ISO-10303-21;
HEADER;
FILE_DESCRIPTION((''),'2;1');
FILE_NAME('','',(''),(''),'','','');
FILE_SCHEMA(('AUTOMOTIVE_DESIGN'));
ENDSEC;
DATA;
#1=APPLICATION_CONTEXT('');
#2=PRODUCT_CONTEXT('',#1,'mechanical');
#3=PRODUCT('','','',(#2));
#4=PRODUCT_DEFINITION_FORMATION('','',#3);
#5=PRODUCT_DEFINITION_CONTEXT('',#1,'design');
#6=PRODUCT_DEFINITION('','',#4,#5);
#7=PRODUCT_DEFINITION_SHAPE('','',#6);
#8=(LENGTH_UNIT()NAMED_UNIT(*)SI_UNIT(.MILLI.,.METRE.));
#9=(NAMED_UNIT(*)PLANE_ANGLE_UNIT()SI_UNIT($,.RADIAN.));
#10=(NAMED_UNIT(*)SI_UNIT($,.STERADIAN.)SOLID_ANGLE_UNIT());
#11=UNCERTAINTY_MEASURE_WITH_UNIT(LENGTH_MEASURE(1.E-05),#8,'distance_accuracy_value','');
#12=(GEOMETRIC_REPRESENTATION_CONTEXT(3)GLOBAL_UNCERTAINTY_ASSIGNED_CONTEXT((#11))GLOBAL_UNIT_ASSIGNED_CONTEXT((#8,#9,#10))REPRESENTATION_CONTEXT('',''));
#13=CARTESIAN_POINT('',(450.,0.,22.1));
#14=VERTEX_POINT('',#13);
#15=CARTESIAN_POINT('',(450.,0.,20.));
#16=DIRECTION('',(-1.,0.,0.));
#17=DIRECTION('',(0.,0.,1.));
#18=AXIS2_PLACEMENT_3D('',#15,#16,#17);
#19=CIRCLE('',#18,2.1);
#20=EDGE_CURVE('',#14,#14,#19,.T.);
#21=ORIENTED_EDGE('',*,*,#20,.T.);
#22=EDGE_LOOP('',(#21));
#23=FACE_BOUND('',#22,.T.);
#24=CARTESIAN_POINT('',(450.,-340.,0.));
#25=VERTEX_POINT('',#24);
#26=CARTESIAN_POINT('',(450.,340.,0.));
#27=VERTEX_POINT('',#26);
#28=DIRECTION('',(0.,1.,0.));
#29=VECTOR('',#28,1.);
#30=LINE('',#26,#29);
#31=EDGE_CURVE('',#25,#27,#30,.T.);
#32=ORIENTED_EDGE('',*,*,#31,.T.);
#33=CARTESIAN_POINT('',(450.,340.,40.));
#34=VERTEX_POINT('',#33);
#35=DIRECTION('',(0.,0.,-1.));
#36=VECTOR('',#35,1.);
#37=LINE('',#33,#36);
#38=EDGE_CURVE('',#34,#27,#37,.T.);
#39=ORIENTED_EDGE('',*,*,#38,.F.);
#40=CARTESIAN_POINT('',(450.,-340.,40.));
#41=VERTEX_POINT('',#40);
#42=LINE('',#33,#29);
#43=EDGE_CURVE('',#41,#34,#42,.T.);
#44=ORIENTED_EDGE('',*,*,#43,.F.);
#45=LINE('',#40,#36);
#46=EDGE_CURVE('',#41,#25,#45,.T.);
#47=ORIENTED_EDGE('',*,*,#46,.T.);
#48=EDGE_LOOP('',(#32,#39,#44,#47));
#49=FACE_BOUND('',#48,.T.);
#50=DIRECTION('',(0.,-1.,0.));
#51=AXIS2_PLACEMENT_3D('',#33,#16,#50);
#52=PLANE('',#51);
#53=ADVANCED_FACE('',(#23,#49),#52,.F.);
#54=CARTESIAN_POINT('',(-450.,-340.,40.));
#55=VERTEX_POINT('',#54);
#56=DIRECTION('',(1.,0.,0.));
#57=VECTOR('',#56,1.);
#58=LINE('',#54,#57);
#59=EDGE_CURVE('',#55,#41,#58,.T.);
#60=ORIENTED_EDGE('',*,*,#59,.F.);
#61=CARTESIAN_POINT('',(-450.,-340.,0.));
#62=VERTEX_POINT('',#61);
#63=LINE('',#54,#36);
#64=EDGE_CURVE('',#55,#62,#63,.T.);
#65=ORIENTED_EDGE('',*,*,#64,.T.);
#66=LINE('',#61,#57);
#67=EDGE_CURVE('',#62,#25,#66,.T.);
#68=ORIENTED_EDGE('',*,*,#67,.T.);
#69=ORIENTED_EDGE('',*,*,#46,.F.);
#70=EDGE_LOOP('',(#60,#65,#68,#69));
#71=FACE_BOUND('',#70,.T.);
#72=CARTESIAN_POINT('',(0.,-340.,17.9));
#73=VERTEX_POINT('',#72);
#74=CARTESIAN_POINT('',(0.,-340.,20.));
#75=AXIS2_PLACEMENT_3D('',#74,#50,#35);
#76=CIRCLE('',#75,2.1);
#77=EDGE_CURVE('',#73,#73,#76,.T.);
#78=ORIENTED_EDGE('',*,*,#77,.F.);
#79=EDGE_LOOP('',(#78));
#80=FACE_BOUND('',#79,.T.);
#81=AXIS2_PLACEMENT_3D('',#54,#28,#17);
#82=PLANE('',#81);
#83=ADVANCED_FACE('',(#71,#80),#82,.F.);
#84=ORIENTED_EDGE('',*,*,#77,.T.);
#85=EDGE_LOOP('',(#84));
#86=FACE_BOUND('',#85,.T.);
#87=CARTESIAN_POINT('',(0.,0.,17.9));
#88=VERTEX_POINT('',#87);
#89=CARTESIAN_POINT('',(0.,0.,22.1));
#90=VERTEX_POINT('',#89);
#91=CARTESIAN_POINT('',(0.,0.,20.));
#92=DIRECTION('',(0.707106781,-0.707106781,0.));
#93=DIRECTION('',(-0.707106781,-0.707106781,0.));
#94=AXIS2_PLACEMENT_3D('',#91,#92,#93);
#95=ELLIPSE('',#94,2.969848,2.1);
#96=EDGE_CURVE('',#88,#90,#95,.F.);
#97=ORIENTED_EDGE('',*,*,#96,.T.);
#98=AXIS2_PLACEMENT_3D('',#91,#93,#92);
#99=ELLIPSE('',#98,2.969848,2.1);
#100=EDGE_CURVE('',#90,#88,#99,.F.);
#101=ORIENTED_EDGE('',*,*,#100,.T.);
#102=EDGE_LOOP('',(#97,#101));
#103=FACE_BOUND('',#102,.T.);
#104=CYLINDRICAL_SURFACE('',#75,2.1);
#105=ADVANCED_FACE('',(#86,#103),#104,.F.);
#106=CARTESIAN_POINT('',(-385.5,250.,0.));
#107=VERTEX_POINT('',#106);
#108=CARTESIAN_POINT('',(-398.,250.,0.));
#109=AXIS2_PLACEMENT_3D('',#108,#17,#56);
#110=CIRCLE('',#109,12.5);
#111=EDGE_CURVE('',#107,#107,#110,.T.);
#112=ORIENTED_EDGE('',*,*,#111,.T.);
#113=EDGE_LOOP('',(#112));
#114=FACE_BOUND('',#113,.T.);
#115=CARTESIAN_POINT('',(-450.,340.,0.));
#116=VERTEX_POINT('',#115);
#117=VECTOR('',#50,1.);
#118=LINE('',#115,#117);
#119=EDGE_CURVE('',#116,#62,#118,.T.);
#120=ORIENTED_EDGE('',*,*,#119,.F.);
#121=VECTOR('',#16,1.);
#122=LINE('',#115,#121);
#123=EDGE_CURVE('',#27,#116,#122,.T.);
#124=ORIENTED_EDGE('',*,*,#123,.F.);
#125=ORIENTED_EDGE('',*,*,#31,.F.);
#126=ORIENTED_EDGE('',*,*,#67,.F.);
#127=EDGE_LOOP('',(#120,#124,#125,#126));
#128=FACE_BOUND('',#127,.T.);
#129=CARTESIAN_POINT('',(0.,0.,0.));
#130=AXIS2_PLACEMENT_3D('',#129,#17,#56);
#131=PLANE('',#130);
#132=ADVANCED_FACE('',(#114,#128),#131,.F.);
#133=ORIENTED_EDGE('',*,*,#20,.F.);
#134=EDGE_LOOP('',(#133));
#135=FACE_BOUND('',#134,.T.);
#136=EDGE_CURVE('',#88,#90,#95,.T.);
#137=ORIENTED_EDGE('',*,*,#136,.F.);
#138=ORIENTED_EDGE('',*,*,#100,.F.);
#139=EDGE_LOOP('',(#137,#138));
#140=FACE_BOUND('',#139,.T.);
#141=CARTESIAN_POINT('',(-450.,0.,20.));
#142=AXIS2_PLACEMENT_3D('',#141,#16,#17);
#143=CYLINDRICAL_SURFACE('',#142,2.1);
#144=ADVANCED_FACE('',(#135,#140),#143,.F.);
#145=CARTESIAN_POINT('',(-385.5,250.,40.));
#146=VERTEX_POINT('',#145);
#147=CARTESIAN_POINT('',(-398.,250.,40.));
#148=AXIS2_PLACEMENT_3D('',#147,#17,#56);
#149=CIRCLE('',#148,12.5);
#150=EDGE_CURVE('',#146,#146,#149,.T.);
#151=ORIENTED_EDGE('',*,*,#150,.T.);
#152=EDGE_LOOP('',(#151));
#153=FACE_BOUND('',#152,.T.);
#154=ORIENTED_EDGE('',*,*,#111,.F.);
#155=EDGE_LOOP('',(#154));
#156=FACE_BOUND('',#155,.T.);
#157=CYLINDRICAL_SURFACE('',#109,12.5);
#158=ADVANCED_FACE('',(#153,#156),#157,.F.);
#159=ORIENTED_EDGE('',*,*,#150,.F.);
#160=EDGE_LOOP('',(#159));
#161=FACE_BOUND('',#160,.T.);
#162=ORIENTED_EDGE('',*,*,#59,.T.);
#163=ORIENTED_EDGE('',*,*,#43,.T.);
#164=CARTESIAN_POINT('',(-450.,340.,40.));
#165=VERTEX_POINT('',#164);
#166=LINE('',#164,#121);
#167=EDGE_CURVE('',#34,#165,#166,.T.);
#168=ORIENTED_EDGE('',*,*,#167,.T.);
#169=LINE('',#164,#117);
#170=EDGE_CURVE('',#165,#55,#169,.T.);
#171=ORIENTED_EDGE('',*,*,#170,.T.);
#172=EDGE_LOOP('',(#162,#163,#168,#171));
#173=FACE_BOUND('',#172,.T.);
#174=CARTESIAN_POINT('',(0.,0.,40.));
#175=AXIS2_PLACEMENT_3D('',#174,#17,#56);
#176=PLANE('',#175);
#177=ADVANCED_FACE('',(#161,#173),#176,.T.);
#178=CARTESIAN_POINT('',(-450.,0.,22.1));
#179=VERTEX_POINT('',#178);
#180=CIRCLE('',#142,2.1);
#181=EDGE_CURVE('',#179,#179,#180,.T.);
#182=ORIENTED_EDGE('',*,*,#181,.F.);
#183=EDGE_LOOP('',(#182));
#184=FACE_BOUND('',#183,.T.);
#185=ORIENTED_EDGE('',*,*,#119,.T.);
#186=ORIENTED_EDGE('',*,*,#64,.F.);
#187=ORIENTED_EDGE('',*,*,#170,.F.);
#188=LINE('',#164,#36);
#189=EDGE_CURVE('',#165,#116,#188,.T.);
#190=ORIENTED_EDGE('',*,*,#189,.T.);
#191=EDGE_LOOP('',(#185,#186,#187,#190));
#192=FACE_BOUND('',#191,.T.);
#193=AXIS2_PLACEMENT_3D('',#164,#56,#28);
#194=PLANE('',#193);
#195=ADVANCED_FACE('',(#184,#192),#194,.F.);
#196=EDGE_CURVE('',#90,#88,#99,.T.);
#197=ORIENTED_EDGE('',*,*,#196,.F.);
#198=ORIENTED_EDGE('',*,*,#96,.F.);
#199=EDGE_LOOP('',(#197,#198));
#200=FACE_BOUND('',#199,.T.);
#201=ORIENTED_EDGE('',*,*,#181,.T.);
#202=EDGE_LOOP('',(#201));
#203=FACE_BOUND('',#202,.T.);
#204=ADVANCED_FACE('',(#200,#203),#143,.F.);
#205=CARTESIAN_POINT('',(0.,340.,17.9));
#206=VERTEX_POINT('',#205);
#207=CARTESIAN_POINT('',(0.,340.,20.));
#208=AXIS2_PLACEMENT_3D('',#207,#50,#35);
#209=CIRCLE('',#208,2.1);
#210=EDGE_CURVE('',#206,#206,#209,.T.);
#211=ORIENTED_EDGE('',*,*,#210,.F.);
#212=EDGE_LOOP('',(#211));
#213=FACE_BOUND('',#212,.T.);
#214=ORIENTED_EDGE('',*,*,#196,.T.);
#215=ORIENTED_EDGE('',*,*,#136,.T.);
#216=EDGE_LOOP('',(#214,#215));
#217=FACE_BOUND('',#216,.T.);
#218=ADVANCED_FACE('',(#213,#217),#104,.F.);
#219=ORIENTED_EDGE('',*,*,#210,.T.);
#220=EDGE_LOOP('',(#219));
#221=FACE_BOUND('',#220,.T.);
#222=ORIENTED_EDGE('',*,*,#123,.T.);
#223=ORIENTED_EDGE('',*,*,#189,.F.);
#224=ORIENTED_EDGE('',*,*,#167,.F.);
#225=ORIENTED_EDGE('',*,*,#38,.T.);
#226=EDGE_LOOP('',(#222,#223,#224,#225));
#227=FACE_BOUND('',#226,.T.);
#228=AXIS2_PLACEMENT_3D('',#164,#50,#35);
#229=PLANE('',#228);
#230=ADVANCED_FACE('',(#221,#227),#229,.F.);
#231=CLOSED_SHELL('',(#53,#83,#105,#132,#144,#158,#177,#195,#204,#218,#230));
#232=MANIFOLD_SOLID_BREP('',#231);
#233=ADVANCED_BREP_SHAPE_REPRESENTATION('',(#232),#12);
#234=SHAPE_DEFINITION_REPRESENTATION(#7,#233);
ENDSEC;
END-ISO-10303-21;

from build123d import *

# Parameters (mm, degrees)
SKETCH_2_W          = 900
SKETCH_2_H          = 680
EXTRUDE_1_DEPTH     = 40
HOLE_WIZARD_M5_1_D  = 4.2
HOLE_WIZARD_M5_2_D  = 4.2
SKETCH_9_R          = 12.5
CUT_EXTRUDE_1_DEPTH = 566.420197729


with BuildPart() as part:
    # 草图2 → 凸台-拉伸1 (new body)
    with BuildSketch(Plane.XY):
        Rectangle(SKETCH_2_W, SKETCH_2_H)
    extrude(amount=EXTRUDE_1_DEPTH)

    # M5 螺纹孔1 (through all)
    with Locations(Plane(origin=(0, -340, 0), x_dir=(-1, 0, 0), z_dir=(0, -1, 0))):
        with Locations((0, -20)):
            Hole(HOLE_WIZARD_M5_1_D / 2)

    # M5 螺纹孔2 (through all)
    with Locations(Plane.ZY.offset(450)):
        with Locations((20, 0)):
            Hole(HOLE_WIZARD_M5_2_D / 2)

    # 草图9 → 切除-拉伸1 (cut, through all)
    with BuildSketch(Plane.XY.offset(40)):
        with Locations((-398, 250)):
            Circle(SKETCH_9_R)
    extrude(amount=-CUT_EXTRUDE_1_DEPTH, mode=Mode.SUBTRACT)


solid = part.part
